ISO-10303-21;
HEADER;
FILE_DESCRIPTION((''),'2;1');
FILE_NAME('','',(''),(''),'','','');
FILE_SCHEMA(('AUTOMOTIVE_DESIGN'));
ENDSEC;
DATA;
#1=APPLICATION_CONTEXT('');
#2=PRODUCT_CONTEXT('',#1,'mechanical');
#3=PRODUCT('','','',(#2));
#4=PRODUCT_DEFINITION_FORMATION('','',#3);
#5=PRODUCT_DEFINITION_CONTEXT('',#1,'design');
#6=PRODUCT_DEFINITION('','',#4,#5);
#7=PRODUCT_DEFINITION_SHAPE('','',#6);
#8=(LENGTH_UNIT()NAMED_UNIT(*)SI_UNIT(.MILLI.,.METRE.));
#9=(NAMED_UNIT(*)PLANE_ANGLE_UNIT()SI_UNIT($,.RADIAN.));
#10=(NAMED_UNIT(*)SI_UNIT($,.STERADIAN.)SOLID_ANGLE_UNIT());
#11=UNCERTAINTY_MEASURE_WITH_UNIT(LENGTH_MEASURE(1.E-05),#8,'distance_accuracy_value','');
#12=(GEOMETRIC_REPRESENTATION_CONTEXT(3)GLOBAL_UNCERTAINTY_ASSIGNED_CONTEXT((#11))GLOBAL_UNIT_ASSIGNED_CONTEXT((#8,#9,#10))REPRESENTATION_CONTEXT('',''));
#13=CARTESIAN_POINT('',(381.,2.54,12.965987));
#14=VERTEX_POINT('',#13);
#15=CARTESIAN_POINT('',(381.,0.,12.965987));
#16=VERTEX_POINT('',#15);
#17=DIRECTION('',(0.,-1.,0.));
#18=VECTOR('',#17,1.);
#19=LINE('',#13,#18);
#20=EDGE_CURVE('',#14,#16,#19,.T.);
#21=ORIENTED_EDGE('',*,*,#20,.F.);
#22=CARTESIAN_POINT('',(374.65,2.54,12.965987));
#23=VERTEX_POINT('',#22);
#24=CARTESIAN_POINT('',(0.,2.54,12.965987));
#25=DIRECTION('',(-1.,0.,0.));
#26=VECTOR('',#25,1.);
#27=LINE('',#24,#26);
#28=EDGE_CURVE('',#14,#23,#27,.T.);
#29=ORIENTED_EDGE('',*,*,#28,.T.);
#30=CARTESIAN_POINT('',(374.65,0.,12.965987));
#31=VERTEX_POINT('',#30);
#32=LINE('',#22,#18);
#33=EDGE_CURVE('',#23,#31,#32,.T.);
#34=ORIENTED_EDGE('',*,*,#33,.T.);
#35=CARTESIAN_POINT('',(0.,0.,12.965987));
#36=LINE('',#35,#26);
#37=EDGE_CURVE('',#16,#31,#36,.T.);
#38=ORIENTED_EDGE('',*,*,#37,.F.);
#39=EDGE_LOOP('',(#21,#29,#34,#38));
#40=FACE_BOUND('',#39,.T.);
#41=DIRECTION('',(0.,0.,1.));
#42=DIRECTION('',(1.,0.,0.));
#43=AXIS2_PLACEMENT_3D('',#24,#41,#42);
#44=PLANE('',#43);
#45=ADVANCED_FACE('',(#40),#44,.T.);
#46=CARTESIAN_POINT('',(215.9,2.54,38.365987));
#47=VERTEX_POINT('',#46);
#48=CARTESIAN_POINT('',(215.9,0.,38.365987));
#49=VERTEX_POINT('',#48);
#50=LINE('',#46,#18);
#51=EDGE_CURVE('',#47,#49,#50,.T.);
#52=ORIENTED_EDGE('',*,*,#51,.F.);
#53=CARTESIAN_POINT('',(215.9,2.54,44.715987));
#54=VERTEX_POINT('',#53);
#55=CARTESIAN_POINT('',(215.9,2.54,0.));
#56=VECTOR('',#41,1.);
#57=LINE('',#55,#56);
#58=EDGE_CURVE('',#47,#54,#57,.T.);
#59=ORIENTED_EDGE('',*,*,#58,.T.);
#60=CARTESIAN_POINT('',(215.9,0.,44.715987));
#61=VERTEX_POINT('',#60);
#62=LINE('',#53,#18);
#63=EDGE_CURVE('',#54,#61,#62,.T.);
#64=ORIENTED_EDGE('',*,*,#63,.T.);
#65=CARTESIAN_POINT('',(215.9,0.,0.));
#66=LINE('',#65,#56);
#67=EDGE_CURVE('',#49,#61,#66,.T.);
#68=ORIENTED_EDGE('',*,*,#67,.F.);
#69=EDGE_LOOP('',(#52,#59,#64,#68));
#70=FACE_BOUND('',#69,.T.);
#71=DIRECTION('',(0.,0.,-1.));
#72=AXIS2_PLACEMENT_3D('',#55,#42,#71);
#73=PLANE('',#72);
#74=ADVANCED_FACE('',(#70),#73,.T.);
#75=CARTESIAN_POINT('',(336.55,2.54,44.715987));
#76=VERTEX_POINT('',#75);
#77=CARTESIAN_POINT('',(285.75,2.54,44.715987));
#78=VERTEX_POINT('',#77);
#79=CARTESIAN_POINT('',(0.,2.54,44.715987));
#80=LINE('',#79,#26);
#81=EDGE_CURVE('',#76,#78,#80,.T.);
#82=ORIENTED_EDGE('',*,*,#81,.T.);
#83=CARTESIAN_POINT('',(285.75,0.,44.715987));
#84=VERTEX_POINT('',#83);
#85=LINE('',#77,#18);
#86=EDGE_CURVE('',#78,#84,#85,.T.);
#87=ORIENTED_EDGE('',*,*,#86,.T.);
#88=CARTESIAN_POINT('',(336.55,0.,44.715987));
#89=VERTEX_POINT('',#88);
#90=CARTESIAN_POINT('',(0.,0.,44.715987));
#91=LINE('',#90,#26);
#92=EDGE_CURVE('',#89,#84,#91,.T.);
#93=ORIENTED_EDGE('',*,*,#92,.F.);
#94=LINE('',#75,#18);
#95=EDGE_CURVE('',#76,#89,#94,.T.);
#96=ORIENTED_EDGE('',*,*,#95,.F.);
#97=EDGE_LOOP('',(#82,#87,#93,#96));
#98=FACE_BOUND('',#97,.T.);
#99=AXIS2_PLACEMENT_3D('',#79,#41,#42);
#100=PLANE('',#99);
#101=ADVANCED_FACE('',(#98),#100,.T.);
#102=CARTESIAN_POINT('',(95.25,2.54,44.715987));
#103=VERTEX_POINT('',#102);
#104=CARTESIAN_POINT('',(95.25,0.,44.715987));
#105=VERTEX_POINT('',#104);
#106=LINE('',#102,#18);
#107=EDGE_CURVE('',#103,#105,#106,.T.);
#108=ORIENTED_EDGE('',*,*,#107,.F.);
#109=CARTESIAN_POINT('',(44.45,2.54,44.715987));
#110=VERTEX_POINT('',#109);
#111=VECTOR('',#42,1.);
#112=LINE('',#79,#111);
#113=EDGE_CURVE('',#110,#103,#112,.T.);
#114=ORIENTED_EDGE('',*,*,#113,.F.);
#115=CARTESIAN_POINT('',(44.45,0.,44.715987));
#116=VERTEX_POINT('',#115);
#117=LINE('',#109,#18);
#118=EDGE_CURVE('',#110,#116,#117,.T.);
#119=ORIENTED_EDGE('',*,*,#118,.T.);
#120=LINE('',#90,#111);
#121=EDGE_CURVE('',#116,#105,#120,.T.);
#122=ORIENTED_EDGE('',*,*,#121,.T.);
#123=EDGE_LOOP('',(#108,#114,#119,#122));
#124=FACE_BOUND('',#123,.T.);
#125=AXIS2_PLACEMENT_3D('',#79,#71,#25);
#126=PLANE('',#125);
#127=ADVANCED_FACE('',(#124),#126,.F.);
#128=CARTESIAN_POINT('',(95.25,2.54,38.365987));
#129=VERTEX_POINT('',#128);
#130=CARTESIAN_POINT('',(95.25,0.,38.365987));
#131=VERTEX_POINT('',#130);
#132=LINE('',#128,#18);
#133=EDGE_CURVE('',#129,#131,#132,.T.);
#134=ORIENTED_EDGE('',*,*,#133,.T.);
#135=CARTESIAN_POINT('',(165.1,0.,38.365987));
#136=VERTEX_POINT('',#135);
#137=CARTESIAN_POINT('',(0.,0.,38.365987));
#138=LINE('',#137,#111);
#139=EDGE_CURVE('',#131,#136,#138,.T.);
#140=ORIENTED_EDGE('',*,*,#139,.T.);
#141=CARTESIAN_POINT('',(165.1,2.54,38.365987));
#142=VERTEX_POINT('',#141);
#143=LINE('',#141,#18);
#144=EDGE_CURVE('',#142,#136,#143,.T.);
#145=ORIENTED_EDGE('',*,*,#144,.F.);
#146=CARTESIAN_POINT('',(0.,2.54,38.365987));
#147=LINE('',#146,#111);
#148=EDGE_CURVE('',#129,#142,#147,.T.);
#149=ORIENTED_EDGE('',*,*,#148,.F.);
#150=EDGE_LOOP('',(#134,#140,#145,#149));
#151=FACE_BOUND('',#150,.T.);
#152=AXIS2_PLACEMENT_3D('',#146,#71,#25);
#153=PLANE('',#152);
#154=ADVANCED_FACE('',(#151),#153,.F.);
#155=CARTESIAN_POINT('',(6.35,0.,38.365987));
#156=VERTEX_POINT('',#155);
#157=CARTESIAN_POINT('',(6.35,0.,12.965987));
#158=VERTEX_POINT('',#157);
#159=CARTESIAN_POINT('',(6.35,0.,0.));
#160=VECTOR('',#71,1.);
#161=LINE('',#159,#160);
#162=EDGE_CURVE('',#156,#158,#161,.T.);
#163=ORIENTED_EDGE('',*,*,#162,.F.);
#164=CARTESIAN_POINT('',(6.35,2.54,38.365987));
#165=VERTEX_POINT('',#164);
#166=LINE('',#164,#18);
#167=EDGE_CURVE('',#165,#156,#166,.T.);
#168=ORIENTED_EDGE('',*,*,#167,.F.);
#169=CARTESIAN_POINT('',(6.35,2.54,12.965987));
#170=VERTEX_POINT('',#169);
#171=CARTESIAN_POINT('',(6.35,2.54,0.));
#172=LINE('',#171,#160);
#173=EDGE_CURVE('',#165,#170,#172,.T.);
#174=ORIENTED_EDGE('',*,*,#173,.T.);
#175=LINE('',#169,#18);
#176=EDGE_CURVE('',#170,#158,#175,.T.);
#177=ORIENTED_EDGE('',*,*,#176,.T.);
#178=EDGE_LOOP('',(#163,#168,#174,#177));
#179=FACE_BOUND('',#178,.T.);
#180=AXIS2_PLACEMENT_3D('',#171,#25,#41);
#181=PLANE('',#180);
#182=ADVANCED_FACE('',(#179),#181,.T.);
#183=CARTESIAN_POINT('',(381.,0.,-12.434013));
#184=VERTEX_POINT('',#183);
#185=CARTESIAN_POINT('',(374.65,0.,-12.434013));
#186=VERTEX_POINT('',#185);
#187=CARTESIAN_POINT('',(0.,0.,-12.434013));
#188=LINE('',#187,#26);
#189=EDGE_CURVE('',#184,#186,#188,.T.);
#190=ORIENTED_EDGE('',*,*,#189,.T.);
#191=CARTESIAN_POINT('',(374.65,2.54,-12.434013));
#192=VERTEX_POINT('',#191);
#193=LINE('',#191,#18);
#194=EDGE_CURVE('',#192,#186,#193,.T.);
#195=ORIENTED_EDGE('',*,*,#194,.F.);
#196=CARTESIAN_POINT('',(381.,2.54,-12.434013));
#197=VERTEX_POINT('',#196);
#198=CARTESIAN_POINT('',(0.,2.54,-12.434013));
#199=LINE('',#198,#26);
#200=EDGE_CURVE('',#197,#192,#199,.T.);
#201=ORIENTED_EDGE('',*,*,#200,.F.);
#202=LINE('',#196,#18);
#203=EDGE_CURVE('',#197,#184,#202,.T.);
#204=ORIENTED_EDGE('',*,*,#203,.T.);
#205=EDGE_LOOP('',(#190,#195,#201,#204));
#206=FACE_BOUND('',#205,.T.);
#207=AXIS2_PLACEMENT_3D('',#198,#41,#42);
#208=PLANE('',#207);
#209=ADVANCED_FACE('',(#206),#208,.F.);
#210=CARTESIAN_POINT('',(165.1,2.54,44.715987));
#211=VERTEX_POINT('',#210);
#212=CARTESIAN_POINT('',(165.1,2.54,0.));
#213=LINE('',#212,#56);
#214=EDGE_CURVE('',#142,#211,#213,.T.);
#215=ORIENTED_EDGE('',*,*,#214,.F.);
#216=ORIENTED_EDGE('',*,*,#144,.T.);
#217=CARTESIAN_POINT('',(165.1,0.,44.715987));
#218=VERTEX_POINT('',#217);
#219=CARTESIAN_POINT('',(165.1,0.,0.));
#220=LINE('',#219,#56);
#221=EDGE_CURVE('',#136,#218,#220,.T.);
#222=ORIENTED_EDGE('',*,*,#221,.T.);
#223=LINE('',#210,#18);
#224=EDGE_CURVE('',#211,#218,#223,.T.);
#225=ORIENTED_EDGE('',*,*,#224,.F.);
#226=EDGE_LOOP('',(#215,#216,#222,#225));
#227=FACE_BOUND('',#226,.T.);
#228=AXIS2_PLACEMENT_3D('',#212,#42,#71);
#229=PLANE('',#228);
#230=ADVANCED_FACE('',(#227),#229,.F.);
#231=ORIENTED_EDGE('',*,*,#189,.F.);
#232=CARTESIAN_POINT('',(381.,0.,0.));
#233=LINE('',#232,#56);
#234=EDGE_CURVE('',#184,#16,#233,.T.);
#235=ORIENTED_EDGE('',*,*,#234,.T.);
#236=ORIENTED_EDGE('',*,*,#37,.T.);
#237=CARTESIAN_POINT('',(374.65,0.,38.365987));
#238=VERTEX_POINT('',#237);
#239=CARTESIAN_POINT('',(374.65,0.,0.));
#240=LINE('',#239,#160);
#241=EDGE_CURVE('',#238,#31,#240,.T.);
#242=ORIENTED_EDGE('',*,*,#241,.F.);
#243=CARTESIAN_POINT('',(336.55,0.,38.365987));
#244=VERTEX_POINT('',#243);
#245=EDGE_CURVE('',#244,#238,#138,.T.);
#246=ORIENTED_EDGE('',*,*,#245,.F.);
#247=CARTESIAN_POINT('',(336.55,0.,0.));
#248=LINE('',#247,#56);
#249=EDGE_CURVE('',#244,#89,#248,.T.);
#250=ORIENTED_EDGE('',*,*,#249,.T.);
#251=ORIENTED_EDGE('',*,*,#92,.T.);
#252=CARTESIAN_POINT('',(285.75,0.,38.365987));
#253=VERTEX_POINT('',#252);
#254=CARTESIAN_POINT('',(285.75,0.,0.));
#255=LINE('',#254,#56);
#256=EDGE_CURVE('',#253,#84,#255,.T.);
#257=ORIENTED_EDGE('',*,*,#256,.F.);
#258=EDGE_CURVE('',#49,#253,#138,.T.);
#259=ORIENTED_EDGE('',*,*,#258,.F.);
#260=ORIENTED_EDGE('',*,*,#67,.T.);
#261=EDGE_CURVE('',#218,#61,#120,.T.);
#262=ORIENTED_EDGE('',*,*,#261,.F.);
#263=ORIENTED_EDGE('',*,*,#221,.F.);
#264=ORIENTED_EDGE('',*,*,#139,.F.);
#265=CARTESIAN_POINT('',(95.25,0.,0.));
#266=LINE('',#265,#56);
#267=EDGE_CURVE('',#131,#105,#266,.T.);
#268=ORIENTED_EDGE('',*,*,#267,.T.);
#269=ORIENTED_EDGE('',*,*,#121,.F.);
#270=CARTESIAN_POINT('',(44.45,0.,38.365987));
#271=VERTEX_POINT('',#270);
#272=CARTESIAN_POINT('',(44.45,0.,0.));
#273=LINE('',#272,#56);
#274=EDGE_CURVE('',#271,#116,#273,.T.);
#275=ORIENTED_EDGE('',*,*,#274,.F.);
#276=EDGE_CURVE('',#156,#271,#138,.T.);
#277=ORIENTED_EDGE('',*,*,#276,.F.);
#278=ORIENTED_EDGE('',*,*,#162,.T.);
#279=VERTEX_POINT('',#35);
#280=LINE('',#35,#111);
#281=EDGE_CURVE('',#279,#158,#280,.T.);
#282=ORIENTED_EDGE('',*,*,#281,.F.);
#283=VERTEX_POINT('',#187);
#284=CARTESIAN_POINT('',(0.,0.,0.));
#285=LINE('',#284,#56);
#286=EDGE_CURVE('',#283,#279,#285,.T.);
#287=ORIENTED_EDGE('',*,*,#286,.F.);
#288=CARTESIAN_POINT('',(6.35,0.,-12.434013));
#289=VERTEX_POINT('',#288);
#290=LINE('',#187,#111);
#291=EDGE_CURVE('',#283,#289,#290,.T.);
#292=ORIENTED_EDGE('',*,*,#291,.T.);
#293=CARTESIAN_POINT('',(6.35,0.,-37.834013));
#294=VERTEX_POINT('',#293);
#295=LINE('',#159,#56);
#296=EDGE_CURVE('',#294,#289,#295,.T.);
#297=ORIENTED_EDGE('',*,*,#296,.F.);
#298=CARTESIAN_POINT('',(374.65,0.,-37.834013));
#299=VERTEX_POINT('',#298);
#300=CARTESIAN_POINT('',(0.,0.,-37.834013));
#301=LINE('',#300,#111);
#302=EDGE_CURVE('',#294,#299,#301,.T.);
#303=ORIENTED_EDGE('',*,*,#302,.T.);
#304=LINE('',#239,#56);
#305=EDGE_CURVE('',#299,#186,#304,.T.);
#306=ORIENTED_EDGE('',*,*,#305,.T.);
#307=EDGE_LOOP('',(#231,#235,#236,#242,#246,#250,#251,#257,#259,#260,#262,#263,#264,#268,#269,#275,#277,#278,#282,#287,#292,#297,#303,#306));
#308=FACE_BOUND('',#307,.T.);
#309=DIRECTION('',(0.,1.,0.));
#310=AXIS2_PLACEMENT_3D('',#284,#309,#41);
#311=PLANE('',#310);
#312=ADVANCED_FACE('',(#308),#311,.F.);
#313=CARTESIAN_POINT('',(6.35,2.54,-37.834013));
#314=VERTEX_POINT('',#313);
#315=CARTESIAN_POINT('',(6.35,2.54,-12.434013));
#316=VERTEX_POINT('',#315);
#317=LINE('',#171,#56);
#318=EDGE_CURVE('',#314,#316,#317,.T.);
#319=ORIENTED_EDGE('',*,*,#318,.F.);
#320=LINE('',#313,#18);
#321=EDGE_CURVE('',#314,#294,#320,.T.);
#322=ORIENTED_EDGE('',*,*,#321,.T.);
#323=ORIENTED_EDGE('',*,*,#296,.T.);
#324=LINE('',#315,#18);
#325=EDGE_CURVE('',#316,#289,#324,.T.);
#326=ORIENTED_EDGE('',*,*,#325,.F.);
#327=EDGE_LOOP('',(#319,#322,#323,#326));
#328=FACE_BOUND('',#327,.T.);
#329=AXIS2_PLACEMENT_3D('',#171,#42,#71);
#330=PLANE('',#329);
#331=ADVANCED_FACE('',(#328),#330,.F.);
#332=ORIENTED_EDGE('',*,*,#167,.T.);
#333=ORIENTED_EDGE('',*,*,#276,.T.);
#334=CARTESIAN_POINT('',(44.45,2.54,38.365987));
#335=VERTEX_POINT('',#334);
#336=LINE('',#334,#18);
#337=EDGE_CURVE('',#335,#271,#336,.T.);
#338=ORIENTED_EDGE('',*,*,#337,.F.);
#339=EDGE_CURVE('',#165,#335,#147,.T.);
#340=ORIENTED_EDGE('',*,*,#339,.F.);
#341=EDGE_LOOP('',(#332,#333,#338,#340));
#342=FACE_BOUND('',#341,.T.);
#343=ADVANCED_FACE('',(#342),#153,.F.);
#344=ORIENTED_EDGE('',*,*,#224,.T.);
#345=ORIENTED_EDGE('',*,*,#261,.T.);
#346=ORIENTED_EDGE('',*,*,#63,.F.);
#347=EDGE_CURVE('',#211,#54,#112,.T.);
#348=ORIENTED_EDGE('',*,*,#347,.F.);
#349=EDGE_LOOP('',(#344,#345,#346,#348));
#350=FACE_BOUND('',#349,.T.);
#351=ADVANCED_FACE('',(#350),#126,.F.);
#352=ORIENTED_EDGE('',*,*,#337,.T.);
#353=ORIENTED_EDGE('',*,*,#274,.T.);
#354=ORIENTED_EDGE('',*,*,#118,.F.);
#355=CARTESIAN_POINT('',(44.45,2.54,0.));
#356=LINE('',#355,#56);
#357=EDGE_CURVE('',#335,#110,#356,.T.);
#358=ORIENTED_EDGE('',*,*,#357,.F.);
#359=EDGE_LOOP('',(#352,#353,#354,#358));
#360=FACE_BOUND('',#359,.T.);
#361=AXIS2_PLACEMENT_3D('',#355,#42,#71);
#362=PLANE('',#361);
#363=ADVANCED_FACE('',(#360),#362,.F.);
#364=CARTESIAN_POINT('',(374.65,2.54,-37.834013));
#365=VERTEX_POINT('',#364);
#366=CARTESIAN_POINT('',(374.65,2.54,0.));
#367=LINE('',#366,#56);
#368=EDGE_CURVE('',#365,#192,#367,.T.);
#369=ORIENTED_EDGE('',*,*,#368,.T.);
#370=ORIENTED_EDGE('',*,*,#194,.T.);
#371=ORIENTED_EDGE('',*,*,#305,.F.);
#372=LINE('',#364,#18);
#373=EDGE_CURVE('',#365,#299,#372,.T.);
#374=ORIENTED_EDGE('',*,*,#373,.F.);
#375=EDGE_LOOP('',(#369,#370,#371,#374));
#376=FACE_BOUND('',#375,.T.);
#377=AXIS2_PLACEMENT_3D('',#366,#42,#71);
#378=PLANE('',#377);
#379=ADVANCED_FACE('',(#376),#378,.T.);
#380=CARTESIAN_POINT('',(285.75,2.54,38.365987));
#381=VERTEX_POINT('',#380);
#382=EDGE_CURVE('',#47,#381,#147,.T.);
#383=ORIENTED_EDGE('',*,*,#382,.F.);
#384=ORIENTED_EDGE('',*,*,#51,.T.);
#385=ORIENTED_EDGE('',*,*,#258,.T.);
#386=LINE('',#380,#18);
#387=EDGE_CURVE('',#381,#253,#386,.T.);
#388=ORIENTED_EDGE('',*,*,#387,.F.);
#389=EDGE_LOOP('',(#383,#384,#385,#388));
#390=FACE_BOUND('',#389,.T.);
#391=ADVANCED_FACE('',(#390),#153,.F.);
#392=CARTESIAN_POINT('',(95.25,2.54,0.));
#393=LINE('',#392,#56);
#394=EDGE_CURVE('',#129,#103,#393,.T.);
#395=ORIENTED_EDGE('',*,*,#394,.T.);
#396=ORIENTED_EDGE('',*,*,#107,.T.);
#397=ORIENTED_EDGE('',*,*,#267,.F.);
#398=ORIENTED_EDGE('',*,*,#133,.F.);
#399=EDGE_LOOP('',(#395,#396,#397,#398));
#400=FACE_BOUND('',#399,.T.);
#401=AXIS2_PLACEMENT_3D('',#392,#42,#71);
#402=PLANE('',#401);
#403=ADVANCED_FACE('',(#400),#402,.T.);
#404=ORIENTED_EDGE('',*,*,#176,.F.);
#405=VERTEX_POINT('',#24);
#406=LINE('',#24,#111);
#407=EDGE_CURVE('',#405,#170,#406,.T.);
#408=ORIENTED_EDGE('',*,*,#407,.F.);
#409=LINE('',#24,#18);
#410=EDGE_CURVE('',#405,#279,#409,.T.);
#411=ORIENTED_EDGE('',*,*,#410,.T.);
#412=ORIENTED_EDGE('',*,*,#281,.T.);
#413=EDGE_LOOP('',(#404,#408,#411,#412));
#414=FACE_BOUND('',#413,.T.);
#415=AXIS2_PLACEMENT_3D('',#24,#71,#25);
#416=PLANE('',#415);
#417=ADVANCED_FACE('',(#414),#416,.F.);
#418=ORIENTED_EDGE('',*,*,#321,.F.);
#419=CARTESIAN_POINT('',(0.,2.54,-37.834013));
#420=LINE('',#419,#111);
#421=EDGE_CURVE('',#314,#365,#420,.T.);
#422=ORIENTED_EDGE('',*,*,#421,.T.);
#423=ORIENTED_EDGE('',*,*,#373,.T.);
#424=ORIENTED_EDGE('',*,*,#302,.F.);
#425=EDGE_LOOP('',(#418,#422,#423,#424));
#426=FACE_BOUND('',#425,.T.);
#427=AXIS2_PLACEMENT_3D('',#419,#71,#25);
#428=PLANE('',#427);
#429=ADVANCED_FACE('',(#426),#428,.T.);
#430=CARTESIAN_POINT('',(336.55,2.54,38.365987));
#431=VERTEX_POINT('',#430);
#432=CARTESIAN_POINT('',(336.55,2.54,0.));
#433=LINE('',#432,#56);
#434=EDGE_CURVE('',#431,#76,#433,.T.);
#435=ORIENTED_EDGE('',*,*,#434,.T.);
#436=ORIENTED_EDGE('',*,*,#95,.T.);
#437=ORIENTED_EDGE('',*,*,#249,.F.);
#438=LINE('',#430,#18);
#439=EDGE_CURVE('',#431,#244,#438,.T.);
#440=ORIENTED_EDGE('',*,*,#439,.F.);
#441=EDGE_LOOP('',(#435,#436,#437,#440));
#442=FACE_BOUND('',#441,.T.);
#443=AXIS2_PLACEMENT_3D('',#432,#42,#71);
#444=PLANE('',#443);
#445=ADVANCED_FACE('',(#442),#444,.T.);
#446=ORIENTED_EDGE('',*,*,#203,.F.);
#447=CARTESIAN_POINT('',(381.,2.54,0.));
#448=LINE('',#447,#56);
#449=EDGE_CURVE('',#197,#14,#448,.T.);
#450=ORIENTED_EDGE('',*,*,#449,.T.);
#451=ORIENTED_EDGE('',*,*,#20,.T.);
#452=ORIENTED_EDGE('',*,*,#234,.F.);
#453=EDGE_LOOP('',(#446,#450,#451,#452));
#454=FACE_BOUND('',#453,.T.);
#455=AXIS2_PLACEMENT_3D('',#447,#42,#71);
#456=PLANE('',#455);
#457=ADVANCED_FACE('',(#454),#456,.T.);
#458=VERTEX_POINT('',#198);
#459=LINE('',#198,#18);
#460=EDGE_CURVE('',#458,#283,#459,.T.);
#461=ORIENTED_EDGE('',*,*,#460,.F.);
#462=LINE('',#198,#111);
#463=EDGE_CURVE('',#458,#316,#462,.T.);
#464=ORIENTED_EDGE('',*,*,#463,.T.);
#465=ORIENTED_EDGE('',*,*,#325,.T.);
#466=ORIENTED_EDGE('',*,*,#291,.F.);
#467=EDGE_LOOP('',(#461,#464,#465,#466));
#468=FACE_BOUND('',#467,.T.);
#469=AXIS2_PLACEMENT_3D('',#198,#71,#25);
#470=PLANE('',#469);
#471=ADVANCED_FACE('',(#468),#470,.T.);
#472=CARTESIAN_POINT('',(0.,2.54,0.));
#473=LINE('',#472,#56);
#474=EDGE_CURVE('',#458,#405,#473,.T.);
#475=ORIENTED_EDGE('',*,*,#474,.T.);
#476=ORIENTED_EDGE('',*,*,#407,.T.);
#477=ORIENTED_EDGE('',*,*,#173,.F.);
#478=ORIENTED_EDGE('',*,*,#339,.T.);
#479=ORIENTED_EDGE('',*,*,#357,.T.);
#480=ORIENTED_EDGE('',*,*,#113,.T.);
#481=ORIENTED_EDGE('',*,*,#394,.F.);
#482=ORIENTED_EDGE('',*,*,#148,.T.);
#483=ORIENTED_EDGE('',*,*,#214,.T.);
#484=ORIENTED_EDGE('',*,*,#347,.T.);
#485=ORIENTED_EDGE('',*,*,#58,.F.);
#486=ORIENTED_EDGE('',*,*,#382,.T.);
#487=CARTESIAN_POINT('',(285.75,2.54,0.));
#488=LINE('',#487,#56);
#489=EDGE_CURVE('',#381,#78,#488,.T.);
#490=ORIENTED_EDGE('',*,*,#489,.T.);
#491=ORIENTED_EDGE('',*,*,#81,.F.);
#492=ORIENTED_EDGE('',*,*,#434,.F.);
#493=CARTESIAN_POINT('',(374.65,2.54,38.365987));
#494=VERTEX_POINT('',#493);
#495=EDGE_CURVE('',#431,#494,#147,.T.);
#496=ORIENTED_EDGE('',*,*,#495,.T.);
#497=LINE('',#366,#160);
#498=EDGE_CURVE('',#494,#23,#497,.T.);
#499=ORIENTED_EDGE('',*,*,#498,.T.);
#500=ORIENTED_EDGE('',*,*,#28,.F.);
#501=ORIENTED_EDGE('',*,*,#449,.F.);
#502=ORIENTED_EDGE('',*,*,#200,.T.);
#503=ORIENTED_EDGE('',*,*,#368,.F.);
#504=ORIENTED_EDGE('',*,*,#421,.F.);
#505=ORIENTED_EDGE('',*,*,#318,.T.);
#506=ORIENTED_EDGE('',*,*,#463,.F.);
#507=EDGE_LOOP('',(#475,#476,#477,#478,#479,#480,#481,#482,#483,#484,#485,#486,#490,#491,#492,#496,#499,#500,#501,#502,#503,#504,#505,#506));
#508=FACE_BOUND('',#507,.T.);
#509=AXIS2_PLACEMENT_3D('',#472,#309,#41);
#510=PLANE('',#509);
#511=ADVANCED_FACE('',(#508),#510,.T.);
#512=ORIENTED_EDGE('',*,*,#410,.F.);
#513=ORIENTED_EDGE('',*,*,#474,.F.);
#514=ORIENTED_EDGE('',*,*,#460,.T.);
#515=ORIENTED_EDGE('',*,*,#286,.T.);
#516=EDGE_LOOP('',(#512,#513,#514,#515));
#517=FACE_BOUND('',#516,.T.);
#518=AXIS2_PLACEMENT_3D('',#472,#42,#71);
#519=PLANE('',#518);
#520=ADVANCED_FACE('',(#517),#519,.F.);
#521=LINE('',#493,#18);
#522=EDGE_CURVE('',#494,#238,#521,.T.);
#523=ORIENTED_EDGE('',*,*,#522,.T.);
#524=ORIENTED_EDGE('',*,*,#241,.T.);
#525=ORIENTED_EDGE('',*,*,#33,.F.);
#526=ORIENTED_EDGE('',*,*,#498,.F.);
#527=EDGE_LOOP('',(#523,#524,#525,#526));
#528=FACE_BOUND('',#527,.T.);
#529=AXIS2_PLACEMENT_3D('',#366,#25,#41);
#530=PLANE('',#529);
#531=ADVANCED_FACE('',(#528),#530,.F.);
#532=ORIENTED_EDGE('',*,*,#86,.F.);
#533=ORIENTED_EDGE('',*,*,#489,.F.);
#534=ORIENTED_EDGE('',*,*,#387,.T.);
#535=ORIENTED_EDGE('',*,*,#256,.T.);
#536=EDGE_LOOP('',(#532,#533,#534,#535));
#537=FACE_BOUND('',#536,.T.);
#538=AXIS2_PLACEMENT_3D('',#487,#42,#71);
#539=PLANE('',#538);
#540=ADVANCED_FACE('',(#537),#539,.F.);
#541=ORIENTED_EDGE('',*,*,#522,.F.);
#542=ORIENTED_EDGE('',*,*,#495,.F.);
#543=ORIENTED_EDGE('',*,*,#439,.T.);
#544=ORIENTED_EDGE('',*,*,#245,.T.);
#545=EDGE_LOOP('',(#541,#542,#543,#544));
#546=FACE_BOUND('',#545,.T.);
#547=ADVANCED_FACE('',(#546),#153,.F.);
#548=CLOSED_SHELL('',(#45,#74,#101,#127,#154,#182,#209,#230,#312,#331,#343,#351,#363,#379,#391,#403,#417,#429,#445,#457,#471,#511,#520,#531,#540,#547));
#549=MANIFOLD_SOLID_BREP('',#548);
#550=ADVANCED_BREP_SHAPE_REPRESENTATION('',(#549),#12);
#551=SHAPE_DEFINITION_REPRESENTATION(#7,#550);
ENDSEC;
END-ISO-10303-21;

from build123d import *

# Parameters (mm, degrees)
BOSS_EXTRUDE1_DEPTH = 2.54


with BuildPart() as part:
    # Sketch1 → Boss-Extrude1 (new body)
    with BuildSketch(Plane(origin=(0, 0, 0), x_dir=(1, 0, 0), z_dir=(0, 1, 0))):
        Polygon((0, 12.434013317), (0, -12.965986683), (6.35, -12.965986683), (6.35, -38.365986683), (44.45, -38.365986683), (44.45, -44.715986683), (95.25, -44.715986683), (95.25, -38.365986683), (165.1, -38.365986683), (165.1, -44.715986683), (215.9, -44.715986683), (215.9, -38.365986683), (285.75, -38.365986683), (285.75, -44.715986683), (336.55, -44.715986683), (336.55, -38.365986683), (374.65, -38.365986683), (374.65, -12.965986683), (381, -12.965986683), (381, 12.434013317), (374.65, 12.434013317), (374.65, 37.834013317), (6.35, 37.834013317), (6.35, 12.434013317), align=None)
    extrude(amount=BOSS_EXTRUDE1_DEPTH)


solid = part.part
